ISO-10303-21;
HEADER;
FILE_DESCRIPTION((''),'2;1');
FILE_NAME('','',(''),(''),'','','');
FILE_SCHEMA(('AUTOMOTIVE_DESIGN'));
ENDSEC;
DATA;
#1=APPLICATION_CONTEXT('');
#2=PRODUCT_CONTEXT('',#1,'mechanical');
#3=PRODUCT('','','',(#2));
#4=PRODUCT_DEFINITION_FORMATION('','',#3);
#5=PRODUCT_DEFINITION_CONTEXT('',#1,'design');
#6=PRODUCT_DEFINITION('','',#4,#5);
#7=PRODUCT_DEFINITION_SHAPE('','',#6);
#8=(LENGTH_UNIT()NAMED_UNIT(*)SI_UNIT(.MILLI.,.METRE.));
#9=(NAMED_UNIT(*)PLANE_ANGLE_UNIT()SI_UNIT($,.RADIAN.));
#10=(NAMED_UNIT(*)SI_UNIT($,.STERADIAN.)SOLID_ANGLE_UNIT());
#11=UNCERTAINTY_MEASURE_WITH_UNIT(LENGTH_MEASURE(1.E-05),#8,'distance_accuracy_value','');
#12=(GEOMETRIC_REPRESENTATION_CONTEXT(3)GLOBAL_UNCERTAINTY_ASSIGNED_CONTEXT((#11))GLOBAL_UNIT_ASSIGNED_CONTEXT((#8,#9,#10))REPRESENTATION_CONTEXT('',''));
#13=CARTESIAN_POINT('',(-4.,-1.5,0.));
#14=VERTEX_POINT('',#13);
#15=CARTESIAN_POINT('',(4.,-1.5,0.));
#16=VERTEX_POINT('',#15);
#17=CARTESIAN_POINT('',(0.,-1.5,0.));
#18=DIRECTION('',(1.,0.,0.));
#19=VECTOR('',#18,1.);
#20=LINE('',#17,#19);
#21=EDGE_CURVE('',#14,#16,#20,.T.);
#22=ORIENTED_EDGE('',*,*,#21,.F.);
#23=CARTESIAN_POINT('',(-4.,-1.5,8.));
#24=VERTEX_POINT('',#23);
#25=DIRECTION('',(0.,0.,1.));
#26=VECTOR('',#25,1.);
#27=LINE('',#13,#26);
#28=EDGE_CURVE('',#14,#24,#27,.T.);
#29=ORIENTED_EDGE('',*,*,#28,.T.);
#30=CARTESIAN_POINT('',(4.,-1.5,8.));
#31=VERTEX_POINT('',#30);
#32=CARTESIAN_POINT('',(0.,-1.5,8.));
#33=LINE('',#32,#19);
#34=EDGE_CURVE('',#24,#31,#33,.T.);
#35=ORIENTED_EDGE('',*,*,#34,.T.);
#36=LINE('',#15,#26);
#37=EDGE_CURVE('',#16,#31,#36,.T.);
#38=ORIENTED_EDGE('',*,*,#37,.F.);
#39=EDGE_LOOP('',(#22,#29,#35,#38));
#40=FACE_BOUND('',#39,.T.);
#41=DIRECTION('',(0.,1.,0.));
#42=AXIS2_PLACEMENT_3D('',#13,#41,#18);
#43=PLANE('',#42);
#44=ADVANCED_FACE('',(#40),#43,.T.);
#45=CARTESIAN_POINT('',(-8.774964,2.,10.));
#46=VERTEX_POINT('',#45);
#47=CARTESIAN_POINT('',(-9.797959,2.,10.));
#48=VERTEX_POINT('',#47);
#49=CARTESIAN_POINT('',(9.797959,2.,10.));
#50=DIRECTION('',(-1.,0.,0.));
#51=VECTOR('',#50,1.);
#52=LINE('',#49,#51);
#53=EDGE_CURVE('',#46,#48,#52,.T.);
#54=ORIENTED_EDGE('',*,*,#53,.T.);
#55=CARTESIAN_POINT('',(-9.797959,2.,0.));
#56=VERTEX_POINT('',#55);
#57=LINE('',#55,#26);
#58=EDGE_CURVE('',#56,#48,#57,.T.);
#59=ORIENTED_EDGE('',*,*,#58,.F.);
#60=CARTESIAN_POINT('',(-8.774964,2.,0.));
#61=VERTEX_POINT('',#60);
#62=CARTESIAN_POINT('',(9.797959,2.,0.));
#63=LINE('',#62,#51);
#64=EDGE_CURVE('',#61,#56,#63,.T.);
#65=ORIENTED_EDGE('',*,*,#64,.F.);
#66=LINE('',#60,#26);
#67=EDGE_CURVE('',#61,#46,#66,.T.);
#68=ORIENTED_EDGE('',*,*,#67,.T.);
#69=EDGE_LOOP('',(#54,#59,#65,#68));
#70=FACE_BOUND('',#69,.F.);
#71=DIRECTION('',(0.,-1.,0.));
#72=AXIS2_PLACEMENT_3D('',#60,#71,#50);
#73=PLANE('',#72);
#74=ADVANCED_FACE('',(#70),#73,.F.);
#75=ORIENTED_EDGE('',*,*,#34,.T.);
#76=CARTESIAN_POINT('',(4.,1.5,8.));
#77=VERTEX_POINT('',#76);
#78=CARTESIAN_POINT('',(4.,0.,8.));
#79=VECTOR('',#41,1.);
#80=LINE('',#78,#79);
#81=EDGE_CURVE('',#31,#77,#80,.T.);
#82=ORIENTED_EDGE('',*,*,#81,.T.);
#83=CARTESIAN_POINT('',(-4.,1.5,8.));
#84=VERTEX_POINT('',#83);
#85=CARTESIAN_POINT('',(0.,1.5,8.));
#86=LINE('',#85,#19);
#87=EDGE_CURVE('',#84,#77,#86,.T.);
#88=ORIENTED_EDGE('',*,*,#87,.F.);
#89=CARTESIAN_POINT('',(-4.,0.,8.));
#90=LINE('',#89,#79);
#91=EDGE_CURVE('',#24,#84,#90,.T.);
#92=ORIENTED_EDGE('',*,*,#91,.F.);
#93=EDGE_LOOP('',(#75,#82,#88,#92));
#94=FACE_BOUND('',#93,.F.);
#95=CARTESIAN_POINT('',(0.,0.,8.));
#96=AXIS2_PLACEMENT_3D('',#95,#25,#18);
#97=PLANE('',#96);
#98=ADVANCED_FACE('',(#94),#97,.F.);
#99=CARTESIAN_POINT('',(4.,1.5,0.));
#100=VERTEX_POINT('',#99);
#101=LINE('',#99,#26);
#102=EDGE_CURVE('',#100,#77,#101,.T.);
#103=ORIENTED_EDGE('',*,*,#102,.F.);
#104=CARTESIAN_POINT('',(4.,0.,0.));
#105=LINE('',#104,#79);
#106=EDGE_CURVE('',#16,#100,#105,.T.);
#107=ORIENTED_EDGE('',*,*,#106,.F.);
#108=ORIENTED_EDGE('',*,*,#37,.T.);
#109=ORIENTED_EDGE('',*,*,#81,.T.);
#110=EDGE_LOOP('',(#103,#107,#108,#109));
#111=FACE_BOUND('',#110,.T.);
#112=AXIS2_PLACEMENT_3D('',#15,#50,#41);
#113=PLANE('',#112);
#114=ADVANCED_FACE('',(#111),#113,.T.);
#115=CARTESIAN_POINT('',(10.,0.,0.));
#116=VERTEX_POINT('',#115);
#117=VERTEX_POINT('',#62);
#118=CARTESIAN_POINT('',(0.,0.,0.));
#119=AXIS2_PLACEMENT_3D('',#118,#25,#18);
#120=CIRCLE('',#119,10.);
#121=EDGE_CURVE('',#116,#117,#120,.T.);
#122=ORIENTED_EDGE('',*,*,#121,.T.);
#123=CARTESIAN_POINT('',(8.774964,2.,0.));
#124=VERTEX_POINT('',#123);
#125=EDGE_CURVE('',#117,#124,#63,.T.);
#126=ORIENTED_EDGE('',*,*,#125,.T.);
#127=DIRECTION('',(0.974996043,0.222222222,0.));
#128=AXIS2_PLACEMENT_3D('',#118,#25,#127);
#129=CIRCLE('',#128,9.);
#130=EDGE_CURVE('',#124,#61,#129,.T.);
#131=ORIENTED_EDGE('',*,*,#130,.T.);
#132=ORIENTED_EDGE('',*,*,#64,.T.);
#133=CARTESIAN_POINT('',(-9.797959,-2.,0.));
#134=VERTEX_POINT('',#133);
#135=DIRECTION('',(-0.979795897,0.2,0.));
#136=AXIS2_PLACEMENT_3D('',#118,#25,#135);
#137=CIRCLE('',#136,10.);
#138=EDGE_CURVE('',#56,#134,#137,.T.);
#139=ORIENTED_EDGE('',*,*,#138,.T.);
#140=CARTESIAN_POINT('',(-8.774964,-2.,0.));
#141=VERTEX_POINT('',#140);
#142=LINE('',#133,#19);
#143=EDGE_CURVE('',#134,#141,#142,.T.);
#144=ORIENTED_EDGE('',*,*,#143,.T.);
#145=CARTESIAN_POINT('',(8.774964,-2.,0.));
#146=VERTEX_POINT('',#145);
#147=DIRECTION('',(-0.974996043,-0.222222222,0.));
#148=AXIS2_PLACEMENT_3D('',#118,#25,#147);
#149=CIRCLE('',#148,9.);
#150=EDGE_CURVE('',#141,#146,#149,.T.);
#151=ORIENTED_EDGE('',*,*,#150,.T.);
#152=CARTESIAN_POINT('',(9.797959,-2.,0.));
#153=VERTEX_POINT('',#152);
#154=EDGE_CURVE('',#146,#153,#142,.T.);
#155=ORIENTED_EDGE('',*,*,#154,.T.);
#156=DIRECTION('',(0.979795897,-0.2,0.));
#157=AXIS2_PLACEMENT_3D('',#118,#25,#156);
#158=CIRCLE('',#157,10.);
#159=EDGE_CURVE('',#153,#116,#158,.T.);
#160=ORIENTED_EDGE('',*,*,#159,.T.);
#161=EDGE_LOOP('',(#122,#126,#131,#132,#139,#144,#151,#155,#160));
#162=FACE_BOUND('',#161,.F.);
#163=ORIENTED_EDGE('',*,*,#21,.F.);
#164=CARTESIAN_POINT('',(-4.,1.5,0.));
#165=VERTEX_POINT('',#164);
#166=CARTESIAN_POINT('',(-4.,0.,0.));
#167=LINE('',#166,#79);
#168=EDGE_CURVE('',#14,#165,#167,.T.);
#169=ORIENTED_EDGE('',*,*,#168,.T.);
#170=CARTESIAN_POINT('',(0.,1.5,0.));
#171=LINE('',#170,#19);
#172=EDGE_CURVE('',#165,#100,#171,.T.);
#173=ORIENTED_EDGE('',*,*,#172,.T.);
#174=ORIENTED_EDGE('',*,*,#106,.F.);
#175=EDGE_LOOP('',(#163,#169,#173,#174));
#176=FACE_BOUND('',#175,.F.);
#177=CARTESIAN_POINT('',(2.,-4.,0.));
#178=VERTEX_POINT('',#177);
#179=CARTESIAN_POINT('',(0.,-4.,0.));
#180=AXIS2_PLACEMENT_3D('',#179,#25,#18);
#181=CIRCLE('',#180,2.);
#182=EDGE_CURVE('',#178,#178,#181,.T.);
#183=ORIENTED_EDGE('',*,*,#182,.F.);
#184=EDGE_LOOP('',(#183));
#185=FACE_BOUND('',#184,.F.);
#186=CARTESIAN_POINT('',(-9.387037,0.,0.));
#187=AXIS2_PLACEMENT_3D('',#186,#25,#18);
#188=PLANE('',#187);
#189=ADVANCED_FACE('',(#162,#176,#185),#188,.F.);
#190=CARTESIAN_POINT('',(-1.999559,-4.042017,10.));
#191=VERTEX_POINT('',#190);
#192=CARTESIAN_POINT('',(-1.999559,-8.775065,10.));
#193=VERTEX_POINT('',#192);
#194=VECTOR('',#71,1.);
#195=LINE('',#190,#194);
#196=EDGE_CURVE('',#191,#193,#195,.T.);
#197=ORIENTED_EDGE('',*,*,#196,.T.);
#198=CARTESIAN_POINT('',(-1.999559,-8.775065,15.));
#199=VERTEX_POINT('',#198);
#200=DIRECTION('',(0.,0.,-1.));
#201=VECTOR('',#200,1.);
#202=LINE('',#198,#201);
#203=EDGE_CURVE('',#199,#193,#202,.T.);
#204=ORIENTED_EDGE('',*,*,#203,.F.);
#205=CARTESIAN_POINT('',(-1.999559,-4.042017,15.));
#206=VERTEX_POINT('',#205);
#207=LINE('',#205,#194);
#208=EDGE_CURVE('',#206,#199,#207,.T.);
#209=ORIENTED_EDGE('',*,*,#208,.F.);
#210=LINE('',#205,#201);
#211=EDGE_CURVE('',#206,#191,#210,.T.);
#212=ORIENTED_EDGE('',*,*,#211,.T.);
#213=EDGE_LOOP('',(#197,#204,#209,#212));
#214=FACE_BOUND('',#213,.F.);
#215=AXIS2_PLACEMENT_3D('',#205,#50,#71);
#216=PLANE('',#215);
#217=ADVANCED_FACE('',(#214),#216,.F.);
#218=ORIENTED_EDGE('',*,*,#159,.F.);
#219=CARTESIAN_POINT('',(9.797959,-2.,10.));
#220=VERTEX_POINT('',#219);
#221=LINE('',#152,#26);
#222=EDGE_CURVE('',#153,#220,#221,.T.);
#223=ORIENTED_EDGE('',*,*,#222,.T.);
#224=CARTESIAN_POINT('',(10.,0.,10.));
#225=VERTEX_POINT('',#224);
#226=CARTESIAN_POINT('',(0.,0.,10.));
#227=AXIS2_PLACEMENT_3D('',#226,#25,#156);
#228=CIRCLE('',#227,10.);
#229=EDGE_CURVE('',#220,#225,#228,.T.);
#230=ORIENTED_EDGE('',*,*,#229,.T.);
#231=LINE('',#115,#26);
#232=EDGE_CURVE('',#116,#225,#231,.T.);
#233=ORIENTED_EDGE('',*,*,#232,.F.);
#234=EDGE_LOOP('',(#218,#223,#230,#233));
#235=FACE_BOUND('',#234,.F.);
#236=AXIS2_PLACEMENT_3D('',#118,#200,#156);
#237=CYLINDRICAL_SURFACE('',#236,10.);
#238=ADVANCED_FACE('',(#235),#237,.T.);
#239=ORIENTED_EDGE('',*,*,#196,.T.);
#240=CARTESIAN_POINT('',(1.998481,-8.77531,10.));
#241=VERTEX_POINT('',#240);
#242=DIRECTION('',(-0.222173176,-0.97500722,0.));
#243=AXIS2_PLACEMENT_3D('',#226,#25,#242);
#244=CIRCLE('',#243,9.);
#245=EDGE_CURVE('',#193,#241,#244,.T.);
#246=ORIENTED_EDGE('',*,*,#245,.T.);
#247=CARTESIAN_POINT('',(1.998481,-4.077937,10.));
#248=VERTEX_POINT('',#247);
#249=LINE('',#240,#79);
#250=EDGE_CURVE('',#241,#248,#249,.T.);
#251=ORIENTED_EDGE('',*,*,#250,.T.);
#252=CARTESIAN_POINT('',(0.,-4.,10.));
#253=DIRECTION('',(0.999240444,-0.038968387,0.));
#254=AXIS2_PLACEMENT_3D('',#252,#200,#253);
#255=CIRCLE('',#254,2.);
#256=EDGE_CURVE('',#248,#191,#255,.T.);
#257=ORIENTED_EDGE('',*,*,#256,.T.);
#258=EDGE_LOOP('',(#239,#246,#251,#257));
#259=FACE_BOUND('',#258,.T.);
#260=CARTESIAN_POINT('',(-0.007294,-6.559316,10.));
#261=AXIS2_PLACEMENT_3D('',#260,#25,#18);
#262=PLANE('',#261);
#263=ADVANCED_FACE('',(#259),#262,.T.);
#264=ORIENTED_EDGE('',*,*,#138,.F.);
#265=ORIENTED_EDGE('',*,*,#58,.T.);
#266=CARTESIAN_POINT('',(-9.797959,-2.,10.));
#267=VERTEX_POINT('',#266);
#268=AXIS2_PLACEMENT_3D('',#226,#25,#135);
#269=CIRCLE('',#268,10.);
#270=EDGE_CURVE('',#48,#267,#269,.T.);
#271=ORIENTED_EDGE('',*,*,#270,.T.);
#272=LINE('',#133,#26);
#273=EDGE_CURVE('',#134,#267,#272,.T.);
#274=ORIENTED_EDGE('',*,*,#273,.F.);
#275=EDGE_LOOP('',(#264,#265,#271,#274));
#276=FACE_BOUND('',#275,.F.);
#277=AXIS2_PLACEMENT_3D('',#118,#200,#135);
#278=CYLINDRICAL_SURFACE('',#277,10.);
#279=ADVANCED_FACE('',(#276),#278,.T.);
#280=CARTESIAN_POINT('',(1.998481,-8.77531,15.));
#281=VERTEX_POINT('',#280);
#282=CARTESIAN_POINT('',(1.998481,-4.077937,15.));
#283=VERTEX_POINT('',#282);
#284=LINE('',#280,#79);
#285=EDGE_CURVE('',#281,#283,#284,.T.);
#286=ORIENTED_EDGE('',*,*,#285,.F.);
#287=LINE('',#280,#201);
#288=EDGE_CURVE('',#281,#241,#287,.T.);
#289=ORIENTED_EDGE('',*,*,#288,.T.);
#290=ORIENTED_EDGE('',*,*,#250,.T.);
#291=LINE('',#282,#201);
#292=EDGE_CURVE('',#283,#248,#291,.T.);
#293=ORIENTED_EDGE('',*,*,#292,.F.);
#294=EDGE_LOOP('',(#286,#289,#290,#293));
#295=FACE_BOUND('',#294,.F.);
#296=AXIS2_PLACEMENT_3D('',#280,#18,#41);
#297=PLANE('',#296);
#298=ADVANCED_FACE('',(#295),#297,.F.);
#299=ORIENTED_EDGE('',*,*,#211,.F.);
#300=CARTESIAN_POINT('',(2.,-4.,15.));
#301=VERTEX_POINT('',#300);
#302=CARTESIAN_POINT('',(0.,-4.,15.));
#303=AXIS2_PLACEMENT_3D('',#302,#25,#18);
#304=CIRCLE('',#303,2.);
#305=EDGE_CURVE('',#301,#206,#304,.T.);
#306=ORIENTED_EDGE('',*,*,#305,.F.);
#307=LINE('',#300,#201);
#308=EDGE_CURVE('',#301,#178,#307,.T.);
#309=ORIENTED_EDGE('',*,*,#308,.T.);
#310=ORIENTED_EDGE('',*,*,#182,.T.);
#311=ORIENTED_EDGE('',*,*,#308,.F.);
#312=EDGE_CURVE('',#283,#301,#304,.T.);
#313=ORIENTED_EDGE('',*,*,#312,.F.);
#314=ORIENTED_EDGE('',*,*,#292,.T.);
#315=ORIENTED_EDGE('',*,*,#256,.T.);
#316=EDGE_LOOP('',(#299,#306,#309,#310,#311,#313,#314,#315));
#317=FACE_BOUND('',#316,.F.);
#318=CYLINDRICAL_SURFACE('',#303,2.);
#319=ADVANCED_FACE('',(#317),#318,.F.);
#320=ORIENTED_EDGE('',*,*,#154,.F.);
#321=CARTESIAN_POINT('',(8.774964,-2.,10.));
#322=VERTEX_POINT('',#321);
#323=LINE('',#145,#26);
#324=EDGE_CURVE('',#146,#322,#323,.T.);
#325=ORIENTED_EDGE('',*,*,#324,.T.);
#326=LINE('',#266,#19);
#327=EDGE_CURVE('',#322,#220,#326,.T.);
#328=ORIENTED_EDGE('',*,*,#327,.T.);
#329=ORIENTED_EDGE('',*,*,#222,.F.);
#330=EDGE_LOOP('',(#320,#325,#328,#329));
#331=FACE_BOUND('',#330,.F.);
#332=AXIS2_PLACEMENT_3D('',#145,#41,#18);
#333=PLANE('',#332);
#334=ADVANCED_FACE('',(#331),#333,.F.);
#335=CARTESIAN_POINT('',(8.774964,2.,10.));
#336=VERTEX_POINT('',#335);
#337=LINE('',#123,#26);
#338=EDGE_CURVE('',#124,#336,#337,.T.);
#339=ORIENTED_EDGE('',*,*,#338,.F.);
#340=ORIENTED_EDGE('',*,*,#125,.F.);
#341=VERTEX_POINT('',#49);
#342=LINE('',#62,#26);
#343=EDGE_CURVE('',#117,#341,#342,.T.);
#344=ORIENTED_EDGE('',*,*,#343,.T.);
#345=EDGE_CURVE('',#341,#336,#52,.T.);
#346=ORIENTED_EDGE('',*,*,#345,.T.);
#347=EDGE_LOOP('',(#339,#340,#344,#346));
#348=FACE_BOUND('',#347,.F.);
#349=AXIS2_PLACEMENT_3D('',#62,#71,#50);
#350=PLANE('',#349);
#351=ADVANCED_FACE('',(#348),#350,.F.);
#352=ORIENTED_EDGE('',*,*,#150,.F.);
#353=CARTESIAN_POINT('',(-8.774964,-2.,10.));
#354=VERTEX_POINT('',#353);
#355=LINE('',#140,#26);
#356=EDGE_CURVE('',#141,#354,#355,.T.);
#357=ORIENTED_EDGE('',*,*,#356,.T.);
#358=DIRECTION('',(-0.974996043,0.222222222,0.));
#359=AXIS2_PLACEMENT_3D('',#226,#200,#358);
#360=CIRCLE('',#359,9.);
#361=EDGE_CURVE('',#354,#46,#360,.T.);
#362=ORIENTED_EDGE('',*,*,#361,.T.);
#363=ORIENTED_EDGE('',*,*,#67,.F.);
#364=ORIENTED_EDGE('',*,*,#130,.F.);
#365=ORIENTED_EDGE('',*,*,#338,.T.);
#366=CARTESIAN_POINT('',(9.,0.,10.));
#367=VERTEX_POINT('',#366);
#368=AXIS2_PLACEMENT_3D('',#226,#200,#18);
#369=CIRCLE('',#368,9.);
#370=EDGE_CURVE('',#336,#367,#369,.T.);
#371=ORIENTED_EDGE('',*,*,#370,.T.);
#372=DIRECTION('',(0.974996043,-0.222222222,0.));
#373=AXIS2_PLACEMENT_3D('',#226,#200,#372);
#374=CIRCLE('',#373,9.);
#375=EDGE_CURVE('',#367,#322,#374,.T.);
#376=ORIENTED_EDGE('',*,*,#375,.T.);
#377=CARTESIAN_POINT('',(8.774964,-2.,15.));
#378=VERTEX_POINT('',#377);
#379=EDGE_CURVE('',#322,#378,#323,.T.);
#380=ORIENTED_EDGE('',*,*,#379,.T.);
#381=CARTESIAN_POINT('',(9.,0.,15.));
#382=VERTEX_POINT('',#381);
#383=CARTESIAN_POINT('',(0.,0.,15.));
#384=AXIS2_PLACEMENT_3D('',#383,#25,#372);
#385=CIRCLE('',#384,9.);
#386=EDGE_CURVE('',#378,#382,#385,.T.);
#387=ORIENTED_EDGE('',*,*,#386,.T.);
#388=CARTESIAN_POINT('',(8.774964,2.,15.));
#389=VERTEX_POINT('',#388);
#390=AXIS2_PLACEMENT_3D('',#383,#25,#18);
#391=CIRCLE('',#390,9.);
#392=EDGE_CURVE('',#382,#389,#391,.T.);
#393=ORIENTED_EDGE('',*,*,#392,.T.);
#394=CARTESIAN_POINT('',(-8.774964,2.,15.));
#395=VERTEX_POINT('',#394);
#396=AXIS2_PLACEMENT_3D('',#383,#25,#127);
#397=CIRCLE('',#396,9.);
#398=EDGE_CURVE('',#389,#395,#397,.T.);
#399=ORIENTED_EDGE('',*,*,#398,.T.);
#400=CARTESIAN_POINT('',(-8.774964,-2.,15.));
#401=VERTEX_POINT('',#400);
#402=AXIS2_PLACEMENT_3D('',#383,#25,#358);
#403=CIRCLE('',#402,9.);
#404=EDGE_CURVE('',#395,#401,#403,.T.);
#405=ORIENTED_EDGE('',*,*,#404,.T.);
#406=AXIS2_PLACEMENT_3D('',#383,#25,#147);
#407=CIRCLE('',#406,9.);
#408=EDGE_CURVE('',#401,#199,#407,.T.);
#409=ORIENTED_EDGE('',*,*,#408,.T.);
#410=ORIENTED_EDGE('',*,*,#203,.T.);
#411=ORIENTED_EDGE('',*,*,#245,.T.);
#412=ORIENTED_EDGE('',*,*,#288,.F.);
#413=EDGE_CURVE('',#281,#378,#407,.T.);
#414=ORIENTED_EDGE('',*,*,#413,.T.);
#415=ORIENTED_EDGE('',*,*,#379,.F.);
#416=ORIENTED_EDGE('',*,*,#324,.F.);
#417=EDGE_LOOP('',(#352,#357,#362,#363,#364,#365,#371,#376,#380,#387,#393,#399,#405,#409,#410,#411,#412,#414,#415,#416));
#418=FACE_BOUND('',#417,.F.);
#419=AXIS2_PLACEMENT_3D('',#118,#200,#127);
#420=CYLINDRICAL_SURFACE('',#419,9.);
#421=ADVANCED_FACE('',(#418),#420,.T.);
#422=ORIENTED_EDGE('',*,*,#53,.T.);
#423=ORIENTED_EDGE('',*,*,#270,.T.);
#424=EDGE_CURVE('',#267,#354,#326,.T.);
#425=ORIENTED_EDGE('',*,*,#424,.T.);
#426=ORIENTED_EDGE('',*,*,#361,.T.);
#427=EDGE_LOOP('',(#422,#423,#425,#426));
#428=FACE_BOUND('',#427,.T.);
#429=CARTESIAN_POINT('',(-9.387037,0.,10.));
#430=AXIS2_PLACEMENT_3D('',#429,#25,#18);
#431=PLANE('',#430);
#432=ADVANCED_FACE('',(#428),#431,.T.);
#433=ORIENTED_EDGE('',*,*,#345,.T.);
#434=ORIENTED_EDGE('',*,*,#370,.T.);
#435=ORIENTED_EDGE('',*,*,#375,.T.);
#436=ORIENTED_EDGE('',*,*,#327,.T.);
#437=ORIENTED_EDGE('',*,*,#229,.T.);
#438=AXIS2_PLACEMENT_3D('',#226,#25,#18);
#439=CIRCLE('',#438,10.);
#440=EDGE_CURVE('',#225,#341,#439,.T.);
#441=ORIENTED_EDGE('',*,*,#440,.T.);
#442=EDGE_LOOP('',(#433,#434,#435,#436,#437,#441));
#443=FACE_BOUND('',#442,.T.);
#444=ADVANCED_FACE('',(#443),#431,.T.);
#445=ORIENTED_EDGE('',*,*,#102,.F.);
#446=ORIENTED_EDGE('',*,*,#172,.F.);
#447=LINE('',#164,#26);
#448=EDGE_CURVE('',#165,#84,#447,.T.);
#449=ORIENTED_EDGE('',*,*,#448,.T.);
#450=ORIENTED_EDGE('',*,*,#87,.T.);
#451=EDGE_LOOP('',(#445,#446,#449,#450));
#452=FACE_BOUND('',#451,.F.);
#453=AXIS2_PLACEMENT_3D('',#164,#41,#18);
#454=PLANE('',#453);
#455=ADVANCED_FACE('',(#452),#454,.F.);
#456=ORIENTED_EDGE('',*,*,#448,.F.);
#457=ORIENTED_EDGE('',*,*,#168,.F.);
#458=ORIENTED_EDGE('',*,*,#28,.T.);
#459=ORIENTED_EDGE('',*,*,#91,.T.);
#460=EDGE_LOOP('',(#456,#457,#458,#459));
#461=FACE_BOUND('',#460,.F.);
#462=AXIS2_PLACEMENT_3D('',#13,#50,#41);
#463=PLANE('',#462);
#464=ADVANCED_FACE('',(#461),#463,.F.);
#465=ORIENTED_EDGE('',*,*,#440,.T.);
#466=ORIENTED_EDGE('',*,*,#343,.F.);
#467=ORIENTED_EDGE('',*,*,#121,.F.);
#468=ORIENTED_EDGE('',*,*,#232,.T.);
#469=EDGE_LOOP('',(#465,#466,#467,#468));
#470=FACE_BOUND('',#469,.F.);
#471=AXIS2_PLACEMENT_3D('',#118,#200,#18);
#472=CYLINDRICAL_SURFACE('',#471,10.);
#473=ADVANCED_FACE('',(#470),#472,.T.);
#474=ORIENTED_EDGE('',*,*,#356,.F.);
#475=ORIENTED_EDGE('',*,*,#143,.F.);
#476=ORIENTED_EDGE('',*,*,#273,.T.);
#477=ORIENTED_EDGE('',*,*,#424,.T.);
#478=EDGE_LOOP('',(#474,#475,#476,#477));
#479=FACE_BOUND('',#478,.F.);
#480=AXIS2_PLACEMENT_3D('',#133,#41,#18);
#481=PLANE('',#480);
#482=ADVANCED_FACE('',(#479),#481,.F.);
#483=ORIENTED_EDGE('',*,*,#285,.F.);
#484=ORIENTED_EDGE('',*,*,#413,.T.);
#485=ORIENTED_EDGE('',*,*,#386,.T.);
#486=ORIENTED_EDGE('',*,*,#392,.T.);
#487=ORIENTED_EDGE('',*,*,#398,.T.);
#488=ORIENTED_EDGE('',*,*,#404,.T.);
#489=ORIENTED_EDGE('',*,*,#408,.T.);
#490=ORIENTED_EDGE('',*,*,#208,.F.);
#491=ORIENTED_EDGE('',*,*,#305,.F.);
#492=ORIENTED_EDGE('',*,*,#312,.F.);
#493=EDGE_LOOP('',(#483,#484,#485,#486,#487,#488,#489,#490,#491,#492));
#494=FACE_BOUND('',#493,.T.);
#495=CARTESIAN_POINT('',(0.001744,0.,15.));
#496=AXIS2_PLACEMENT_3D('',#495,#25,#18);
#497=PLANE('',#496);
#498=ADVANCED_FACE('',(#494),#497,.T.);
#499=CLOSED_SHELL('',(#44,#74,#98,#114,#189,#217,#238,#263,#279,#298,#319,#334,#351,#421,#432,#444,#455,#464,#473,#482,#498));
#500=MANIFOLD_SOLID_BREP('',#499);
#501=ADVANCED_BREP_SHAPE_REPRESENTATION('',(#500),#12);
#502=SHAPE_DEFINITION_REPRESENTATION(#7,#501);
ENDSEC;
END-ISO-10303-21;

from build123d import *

# Parameters (mm, degrees)
F1_DEPTH = 10
F2_DEPTH = 15
F3_W     = 8
F3_H     = 3
F4_DEPTH = 8
F5_R     = 2
F6_DEPTH = 25
F8_DEPTH = 5


with BuildPart() as f1:
    # F0 (on Top) → F1 (new body)
    with BuildSketch(Plane.XY):
        with BuildLine():
            Line((-8.7749643874, 2), (-9.7979589711, 2))
            ThreePointArc((-9.7979589711, 2), (-10, 0), (-9.7979589711, -2))
            Line((-9.7979589711, -2), (-8.7749643874, -2))
            ThreePointArc((-8.7749643874, -2), (-9, 0), (-8.7749643874, 2))
        make_face()
        with BuildLine():
            ThreePointArc((9.7979589711, -2), (9.9493615301, -1.0050896201), (10, 0))
            ThreePointArc((10, 0), (9.9493615301, 1.0050896201), (9.7979589711, 2))
            Line((9.7979589711, 2), (8.7749643874, 2))
            ThreePointArc((8.7749643874, 2), (8.9435641521, 1.0063102189), (9, 0))
            ThreePointArc((9, 0), (8.9435641521, -1.0063102189), (8.7749643874, -2))
            Line((8.7749643874, -2), (9.7979589711, -2))
        make_face()
        with BuildLine():
            ThreePointArc((9, 0), (8.9435641521, 1.0063102189), (8.7749643874, 2))
            Line((8.7749643874, 2), (-8.7749643874, 2))
            ThreePointArc((-8.7749643874, 2), (-9, 0), (-8.7749643874, -2))
            Line((-8.7749643874, -2), (8.7749643874, -2))
            ThreePointArc((8.7749643874, -2), (8.9435641521, -1.0063102189), (9, 0))
        make_face()
        with BuildLine():
            Line((-8.7749643874, 2), (8.7749643874, 2))
            ThreePointArc((8.7749643874, 2), (0, 9), (-8.7749643874, 2))
        make_face()
        with BuildLine():
            ThreePointArc((-8.7749643874, -2), (0, -9), (8.7749643874, -2))
            Line((8.7749643874, -2), (-8.7749643874, -2))
        make_face()
    extrude(amount=F1_DEPTH)

    # F0 (on Top) → F2 (join)
    with BuildSketch(Plane.XY):
        with BuildLine():
            ThreePointArc((9, 0), (8.9435641521, 1.0063102189), (8.7749643874, 2))
            Line((8.7749643874, 2), (-8.7749643874, 2))
            ThreePointArc((-8.7749643874, 2), (-9, 0), (-8.7749643874, -2))
            Line((-8.7749643874, -2), (8.7749643874, -2))
            ThreePointArc((8.7749643874, -2), (8.9435641521, -1.0063102189), (9, 0))
        make_face()
        with BuildLine():
            Line((-8.7749643874, 2), (8.7749643874, 2))
            ThreePointArc((8.7749643874, 2), (0, 9), (-8.7749643874, 2))
        make_face()
        with BuildLine():
            ThreePointArc((-8.7749643874, -2), (0, -9), (8.7749643874, -2))
            Line((8.7749643874, -2), (-8.7749643874, -2))
        make_face()
    extrude(amount=F2_DEPTH)

    # F3 (on face) → F4 (cut)
    with BuildSketch(Plane.XY):
        Rectangle(F3_W, F3_H)
    extrude(amount=F4_DEPTH, mode=Mode.SUBTRACT)

    # F5 (on face) → F6 (cut)
    with BuildSketch(Plane.XY.offset(15)):
        with Locations((0, -4)):
            Circle(F5_R)
    extrude(amount=-F6_DEPTH, mode=Mode.SUBTRACT)

    # F7 (on face) → F8 (cut)
    with BuildSketch(Plane.XY.offset(15)):
        with BuildLine():
            ThreePointArc((1.9984808879, -4.0779367749), (-0.0179678096, -5.9999192878), (-1.9995585875, -4.0420173194))
            Line((-1.9995585875, -4.0420173194), (-1.9995585875, -8.775064983))
            ThreePointArc((-1.9995585875, -8.775064983), (-0.0005526547, -8.999999983), (1.9984808879, -8.7753104869))
            Line((1.9984808879, -8.7753104869), (1.9984808879, -4.0779367749))
        make_face()
    extrude(amount=-F8_DEPTH, mode=Mode.SUBTRACT)


solid = f1.part
